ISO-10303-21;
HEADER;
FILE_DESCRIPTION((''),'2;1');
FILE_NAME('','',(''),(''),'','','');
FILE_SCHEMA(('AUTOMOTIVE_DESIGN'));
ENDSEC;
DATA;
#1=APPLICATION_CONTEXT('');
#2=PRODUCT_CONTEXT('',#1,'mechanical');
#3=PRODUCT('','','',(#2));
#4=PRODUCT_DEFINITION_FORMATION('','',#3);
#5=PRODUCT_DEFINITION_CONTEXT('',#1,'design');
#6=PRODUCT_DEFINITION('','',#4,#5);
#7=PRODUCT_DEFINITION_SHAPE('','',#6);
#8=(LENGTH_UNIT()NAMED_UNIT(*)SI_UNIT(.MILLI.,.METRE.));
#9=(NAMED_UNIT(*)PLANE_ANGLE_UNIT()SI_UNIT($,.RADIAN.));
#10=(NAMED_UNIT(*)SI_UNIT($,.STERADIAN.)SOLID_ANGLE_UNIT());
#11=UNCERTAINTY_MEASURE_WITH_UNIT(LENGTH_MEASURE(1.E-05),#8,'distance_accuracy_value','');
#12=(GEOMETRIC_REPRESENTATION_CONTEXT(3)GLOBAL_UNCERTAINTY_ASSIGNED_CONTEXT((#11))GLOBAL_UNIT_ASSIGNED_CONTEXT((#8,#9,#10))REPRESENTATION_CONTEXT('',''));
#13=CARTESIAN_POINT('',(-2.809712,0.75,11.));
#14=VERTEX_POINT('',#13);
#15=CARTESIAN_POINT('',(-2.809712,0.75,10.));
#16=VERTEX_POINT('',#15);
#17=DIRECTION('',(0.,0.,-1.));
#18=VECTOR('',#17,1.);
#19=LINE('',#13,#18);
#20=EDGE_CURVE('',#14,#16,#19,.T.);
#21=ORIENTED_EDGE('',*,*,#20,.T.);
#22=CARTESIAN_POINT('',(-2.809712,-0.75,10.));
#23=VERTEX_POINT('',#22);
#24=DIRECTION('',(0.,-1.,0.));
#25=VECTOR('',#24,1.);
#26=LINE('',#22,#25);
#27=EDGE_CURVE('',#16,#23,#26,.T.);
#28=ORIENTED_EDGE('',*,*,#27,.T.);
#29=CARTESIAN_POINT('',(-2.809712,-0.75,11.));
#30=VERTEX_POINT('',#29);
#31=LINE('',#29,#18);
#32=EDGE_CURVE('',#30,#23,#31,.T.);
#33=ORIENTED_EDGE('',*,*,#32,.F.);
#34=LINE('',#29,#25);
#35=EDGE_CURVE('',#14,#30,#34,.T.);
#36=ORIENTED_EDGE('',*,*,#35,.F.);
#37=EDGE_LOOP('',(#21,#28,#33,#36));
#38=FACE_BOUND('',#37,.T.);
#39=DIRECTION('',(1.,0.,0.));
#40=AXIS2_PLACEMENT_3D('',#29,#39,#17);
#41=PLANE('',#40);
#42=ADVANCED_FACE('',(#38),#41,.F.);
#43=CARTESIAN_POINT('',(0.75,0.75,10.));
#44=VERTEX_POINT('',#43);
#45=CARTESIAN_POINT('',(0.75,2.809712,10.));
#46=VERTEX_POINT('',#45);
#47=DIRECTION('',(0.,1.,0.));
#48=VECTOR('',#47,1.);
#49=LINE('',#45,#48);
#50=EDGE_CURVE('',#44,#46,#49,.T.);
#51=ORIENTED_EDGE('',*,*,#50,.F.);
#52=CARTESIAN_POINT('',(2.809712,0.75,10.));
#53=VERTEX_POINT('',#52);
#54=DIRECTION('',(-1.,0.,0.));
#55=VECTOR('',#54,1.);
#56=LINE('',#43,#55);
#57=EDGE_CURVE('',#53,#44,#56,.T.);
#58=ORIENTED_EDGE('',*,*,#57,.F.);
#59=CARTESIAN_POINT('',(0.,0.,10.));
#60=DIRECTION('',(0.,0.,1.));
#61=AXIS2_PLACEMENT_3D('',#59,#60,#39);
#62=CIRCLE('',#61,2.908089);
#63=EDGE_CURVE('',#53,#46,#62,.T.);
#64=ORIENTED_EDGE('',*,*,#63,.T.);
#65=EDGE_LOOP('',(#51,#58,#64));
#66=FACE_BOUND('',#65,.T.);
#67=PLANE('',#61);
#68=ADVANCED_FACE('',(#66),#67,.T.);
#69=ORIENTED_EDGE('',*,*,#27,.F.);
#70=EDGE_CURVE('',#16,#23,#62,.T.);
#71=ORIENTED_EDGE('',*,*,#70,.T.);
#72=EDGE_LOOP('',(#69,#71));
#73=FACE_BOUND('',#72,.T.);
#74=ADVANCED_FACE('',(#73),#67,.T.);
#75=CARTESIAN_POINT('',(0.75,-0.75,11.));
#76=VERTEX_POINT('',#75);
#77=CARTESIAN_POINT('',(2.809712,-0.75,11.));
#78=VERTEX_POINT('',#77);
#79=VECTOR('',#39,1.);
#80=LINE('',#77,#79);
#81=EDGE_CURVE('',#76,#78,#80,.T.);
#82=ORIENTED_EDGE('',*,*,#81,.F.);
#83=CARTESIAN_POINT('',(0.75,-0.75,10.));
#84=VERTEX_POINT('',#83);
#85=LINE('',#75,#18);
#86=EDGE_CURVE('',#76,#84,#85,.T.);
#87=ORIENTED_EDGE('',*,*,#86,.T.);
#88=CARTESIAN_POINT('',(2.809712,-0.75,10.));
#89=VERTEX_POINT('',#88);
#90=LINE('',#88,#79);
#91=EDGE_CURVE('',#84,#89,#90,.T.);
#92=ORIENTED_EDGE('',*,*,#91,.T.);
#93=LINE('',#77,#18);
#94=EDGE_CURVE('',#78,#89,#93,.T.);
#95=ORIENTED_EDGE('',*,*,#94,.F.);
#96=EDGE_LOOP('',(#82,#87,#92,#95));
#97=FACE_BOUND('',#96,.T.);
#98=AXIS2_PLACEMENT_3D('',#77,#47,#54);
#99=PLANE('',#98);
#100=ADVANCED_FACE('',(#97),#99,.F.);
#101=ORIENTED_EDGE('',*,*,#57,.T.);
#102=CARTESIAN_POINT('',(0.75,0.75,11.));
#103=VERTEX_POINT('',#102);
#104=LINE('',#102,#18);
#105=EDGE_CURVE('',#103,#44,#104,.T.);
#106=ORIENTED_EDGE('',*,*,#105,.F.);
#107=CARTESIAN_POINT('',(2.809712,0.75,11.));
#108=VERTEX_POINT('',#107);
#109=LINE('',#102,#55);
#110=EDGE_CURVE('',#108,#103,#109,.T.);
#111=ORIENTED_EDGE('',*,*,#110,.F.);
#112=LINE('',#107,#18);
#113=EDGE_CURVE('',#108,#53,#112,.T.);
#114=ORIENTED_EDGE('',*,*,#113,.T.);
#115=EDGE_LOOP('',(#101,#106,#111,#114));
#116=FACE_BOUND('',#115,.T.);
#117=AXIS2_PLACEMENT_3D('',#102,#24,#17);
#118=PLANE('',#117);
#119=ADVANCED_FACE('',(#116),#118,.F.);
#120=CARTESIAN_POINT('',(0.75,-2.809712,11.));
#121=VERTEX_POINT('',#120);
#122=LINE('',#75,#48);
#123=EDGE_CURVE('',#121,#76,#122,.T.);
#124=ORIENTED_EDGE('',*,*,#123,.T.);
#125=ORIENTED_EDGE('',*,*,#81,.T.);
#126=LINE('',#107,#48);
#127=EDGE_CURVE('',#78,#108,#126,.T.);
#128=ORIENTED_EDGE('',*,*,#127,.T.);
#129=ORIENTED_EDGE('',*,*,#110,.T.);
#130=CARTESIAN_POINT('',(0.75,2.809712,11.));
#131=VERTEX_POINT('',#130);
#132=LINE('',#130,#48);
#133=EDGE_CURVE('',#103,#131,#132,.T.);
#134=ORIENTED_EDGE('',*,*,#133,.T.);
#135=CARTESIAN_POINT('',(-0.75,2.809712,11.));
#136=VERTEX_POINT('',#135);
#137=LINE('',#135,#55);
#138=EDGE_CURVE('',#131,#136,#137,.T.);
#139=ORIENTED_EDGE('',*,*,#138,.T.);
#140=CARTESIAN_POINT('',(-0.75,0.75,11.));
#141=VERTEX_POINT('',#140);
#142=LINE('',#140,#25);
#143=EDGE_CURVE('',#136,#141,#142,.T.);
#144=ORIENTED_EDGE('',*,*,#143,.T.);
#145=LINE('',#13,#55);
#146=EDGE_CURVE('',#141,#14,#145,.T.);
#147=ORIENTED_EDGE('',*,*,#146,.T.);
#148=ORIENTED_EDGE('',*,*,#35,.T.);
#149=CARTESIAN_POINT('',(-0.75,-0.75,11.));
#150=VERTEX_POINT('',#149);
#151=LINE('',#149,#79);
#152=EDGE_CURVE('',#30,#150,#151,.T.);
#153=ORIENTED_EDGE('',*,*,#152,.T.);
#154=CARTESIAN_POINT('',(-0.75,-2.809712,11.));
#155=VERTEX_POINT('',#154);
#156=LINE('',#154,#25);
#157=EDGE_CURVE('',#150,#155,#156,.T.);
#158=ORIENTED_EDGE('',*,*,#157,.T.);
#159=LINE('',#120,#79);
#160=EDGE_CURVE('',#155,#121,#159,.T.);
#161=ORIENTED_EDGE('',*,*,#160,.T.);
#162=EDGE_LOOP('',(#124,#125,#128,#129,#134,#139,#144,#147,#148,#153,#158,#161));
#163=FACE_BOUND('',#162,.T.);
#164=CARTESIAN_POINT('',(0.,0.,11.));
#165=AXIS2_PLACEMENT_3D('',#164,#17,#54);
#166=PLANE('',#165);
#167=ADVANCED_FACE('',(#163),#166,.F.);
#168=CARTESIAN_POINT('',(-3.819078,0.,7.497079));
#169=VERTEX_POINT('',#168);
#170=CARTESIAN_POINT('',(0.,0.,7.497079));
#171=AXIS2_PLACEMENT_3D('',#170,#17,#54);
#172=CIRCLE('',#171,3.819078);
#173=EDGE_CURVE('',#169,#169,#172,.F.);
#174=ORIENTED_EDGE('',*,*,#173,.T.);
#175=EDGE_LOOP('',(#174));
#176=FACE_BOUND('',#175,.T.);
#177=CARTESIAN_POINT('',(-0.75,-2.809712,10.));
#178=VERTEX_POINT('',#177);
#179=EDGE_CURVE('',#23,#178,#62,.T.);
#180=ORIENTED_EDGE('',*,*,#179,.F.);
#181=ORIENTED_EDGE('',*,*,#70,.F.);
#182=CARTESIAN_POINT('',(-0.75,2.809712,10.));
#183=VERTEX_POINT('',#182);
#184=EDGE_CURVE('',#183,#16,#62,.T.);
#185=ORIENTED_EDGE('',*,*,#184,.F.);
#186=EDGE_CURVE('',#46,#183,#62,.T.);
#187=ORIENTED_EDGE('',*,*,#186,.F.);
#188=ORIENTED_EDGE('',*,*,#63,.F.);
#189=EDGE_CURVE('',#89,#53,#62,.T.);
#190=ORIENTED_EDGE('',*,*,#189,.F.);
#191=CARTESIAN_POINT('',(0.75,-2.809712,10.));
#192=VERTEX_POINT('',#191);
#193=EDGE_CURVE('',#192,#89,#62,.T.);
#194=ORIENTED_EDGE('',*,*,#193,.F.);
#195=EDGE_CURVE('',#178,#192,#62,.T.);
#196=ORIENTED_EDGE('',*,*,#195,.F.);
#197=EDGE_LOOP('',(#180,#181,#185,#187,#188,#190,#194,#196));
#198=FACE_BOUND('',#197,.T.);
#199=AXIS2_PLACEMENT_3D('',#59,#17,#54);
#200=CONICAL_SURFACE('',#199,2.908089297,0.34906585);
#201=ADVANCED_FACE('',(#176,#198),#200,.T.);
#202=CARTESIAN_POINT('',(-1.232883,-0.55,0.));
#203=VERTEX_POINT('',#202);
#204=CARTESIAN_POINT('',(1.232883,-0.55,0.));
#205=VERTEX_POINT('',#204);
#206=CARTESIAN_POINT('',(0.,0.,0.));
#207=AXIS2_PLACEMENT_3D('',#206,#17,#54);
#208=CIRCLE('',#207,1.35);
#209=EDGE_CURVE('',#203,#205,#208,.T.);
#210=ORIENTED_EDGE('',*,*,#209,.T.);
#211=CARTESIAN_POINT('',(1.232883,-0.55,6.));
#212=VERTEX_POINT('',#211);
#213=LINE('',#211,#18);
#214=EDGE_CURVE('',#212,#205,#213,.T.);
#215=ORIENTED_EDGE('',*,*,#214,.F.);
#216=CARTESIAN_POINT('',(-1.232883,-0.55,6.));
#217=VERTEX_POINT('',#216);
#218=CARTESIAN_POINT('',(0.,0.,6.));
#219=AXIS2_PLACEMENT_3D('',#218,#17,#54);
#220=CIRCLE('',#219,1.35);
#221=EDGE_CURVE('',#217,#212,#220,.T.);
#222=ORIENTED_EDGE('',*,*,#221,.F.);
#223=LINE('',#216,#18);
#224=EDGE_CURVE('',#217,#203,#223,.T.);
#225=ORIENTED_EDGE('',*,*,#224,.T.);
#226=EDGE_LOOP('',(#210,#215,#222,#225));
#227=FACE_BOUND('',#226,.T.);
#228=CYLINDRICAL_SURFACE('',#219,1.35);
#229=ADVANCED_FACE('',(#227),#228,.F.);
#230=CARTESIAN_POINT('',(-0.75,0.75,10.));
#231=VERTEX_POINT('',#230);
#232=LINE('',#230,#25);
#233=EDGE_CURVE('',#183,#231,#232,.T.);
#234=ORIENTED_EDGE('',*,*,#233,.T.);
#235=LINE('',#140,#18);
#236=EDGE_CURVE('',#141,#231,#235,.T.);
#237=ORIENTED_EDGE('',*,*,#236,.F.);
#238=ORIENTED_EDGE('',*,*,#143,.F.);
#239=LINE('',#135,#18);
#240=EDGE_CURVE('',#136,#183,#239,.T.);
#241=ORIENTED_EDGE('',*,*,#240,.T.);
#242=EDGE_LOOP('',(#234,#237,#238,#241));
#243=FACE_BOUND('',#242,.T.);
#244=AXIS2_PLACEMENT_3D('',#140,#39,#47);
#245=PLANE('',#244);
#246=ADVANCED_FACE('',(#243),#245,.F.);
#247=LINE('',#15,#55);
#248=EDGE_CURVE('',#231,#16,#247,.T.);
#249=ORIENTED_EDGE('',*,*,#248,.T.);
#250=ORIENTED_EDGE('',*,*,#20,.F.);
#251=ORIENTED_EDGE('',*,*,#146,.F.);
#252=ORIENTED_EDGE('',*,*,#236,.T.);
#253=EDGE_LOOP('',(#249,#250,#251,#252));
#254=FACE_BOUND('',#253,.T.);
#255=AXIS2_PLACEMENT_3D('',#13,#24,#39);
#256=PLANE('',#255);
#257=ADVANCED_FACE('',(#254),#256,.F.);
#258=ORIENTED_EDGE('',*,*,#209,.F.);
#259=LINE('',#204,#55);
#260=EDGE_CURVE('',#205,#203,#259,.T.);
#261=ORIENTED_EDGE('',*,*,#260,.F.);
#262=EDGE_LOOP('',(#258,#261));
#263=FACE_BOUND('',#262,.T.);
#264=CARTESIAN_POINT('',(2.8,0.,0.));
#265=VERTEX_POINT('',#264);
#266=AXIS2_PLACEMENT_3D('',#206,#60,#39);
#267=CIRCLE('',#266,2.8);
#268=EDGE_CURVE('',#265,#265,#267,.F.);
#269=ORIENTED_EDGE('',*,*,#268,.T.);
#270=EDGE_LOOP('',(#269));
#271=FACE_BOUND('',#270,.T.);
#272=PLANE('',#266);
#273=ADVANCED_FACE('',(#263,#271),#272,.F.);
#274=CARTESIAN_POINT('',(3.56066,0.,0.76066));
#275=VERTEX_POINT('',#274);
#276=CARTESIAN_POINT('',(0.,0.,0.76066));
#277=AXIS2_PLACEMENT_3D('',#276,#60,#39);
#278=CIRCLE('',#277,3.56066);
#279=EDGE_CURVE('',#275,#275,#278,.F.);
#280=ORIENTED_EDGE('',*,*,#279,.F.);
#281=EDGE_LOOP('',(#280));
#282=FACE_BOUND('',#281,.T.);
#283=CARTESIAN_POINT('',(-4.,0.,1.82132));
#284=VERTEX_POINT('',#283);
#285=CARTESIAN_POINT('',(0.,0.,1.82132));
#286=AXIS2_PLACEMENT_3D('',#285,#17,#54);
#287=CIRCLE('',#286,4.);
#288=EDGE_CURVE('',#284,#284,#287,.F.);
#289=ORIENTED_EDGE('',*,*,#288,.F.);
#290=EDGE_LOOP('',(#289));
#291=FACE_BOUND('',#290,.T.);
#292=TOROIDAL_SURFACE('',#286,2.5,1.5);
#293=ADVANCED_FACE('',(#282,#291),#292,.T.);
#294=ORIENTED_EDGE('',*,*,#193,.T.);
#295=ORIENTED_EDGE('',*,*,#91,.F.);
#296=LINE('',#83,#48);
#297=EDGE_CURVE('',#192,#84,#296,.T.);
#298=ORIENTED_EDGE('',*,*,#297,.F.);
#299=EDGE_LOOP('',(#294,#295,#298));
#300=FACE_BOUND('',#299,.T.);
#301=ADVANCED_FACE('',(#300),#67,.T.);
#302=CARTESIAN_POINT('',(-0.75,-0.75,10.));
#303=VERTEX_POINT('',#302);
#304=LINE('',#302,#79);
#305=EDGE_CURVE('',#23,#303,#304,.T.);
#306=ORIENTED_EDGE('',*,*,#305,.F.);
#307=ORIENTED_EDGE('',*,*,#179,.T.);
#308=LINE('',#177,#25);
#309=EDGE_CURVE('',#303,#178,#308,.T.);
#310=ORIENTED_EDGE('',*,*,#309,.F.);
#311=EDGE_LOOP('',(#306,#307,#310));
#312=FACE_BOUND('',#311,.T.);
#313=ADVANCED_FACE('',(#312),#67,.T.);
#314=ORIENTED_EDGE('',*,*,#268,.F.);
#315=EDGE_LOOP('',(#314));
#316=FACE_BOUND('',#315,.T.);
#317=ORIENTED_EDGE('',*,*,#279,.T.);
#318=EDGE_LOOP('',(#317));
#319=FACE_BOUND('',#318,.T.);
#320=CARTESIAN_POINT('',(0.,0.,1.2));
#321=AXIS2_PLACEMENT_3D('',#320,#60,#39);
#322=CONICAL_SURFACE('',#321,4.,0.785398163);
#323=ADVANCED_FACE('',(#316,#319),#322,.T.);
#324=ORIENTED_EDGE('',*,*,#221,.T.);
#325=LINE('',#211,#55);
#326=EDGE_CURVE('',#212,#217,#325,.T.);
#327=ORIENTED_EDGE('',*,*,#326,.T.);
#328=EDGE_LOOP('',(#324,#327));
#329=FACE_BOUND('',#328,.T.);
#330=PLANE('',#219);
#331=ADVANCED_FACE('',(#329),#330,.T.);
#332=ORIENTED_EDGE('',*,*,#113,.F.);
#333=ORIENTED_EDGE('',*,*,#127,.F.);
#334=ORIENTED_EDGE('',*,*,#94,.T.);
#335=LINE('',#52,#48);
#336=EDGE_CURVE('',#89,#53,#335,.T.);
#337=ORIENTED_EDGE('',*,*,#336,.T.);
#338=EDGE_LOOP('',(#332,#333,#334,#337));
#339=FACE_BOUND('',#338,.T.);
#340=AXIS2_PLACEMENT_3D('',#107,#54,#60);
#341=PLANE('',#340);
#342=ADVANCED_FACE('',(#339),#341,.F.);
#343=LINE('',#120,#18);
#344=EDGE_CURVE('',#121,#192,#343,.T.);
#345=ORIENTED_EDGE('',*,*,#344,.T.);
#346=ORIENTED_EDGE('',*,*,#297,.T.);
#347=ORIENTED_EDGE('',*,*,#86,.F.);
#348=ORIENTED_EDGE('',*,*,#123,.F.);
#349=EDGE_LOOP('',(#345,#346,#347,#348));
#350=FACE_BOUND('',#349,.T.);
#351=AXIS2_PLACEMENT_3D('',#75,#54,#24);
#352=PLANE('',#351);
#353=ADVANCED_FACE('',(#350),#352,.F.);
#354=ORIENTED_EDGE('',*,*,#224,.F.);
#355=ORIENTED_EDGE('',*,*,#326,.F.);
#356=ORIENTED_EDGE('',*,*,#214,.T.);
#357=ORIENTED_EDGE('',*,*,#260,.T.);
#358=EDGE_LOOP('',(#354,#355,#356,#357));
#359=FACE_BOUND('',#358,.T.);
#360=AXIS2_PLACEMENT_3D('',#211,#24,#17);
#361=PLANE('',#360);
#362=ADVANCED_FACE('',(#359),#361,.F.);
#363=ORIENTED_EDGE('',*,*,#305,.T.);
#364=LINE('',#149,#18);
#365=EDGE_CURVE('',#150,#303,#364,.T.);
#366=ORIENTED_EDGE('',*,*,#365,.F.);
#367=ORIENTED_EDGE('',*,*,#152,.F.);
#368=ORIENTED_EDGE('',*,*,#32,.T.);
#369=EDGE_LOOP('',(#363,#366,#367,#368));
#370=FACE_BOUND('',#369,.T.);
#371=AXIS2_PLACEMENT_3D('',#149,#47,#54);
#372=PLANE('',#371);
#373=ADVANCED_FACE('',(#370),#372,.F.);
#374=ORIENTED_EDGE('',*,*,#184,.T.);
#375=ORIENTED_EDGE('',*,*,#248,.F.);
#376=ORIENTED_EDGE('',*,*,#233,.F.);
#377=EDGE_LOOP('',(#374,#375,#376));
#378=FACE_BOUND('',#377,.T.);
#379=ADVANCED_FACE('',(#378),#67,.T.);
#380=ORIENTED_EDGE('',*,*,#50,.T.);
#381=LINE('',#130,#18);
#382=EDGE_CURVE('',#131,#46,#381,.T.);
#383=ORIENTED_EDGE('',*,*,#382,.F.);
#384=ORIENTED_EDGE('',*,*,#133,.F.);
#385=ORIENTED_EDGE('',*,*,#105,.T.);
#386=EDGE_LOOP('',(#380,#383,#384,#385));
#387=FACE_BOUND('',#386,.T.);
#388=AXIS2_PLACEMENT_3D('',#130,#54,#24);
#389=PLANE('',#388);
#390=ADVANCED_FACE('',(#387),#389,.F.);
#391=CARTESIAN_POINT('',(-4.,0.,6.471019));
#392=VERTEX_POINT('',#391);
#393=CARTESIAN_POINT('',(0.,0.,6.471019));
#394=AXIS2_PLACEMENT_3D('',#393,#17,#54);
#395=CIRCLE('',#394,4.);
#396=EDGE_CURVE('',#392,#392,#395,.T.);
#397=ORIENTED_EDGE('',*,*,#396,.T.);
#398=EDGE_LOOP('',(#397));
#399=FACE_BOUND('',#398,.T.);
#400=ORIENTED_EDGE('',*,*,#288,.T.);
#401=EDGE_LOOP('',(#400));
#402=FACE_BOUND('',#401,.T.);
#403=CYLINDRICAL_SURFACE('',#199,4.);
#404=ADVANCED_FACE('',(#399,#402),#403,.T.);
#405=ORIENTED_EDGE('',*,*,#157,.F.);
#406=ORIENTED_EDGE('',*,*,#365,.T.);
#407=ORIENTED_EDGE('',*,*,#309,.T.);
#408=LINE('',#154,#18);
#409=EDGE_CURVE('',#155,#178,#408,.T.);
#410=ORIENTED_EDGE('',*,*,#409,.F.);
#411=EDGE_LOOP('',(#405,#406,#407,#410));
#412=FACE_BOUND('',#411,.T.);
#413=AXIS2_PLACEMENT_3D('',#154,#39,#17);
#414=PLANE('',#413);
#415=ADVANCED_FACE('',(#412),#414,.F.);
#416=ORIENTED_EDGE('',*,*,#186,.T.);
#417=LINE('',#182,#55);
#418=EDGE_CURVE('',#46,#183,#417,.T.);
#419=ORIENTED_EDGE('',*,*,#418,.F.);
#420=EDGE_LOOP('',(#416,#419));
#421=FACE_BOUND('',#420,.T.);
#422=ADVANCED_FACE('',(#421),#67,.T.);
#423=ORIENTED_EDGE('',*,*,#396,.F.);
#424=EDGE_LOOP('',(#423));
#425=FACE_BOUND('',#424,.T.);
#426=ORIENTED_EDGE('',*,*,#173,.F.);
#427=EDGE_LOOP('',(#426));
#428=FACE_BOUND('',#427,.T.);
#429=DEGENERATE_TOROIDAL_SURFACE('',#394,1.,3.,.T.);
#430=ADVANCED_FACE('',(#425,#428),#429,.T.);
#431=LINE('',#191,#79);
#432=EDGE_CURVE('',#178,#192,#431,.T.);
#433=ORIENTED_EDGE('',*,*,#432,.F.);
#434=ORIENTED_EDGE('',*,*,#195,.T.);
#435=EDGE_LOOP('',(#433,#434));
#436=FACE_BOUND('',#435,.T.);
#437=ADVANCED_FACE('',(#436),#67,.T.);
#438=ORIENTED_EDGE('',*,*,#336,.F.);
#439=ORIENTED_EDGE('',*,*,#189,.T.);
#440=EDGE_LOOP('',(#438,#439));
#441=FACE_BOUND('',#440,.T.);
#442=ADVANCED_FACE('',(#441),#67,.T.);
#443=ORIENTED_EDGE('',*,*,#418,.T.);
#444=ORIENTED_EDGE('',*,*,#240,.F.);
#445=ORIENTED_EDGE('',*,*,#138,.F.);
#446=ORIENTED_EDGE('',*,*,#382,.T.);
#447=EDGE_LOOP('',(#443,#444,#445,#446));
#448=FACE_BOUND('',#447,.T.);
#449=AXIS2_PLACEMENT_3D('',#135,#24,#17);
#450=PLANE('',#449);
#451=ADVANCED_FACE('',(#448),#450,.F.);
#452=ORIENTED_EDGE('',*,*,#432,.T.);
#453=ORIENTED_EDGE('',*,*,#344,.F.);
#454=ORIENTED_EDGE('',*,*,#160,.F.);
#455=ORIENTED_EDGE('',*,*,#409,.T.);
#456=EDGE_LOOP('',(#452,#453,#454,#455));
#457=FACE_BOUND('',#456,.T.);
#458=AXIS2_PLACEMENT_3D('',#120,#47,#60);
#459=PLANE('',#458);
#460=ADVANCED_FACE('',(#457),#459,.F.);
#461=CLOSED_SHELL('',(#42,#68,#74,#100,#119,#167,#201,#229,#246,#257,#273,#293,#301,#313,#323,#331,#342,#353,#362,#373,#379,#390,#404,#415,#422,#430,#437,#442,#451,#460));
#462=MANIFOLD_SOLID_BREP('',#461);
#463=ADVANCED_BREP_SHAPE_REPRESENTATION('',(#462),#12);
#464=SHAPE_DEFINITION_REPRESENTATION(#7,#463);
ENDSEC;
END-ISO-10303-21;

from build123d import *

# Parameters (mm, degrees)
SKETCH1_R           = 4
BOSS_EXTRUDE1_DEPTH = 10
CHAMFER1_SIZE       = 3
CHAMFER1_SIZE2      = 1.091910703
CUT_EXTRUDE1_DEPTH  = 6
CHAMFER2_SIZE       = 1.2
FILLET1_R           = 3
FILLET2_R           = 1.5
BOSS_EXTRUDE2_DEPTH = 1


with BuildPart() as part:
    # Sketch1 → Boss-Extrude1 (new body)
    with BuildSketch(Plane.XY):
        Circle(SKETCH1_R)
    extrude(amount=BOSS_EXTRUDE1_DEPTH)

    # Chamfer1
    chamfer1_edges = [part.edges().sort_by_distance(p)[0] for p in [
        (-4, 0, 10),
    ]]
    chamfer1_side = [part.faces().sort_by_distance(p)[0] for p in [
        (-4, 0, 5),
    ]]
    chamfer(chamfer1_edges, length=CHAMFER1_SIZE, length2=CHAMFER1_SIZE2, reference=chamfer1_side[0])

    # Sketch2 → Cut-Extrude1 (cut)
    with BuildSketch(Plane(origin=(0, 0, 0), x_dir=(-1, 0, 0), z_dir=(0, 0, -1))):
        with BuildLine():
            Line((-1.232882801, -0.55), (1.232882801, -0.55))
            ThreePointArc((1.232882801, -0.55), (0, 1.35), (-1.232882801, -0.55))
        make_face()
    extrude(amount=-CUT_EXTRUDE1_DEPTH, mode=Mode.SUBTRACT)

    # Chamfer2
    chamfer2_edges = [part.edges().sort_by_distance(p)[0] for p in [
        (-4, 0, 0),
    ]]
    chamfer(chamfer2_edges, length=CHAMFER2_SIZE)

    # Fillet1
    fillet1_edges = [part.edges().sort_by_distance(p)[0] for p in [
        (-4, 0, 7),
    ]]
    fillet(fillet1_edges, radius=FILLET1_R)

    # Fillet2
    fillet2_edges = [part.edges().sort_by_distance(p)[0] for p in [
        (-4, 0, 1.2),
    ]]
    fillet(fillet2_edges, radius=FILLET2_R)

    # Sketch3 → Boss-Extrude2 (add)
    with BuildSketch(Plane.XY.offset(10)):
        Polygon((-2.809712327, 0.75), (-0.75, 0.75), (-0.75, 2.809712327), (0.75, 2.809712327), (0.75, 0.75), (2.809712327, 0.75), (2.809712327, -0.75), (0.75, -0.75), (0.75, -2.809712327), (-0.75, -2.809712327), (-0.75, -0.75), (-2.809712327, -0.75), align=None)
    extrude(amount=BOSS_EXTRUDE2_DEPTH)


solid = part.part
